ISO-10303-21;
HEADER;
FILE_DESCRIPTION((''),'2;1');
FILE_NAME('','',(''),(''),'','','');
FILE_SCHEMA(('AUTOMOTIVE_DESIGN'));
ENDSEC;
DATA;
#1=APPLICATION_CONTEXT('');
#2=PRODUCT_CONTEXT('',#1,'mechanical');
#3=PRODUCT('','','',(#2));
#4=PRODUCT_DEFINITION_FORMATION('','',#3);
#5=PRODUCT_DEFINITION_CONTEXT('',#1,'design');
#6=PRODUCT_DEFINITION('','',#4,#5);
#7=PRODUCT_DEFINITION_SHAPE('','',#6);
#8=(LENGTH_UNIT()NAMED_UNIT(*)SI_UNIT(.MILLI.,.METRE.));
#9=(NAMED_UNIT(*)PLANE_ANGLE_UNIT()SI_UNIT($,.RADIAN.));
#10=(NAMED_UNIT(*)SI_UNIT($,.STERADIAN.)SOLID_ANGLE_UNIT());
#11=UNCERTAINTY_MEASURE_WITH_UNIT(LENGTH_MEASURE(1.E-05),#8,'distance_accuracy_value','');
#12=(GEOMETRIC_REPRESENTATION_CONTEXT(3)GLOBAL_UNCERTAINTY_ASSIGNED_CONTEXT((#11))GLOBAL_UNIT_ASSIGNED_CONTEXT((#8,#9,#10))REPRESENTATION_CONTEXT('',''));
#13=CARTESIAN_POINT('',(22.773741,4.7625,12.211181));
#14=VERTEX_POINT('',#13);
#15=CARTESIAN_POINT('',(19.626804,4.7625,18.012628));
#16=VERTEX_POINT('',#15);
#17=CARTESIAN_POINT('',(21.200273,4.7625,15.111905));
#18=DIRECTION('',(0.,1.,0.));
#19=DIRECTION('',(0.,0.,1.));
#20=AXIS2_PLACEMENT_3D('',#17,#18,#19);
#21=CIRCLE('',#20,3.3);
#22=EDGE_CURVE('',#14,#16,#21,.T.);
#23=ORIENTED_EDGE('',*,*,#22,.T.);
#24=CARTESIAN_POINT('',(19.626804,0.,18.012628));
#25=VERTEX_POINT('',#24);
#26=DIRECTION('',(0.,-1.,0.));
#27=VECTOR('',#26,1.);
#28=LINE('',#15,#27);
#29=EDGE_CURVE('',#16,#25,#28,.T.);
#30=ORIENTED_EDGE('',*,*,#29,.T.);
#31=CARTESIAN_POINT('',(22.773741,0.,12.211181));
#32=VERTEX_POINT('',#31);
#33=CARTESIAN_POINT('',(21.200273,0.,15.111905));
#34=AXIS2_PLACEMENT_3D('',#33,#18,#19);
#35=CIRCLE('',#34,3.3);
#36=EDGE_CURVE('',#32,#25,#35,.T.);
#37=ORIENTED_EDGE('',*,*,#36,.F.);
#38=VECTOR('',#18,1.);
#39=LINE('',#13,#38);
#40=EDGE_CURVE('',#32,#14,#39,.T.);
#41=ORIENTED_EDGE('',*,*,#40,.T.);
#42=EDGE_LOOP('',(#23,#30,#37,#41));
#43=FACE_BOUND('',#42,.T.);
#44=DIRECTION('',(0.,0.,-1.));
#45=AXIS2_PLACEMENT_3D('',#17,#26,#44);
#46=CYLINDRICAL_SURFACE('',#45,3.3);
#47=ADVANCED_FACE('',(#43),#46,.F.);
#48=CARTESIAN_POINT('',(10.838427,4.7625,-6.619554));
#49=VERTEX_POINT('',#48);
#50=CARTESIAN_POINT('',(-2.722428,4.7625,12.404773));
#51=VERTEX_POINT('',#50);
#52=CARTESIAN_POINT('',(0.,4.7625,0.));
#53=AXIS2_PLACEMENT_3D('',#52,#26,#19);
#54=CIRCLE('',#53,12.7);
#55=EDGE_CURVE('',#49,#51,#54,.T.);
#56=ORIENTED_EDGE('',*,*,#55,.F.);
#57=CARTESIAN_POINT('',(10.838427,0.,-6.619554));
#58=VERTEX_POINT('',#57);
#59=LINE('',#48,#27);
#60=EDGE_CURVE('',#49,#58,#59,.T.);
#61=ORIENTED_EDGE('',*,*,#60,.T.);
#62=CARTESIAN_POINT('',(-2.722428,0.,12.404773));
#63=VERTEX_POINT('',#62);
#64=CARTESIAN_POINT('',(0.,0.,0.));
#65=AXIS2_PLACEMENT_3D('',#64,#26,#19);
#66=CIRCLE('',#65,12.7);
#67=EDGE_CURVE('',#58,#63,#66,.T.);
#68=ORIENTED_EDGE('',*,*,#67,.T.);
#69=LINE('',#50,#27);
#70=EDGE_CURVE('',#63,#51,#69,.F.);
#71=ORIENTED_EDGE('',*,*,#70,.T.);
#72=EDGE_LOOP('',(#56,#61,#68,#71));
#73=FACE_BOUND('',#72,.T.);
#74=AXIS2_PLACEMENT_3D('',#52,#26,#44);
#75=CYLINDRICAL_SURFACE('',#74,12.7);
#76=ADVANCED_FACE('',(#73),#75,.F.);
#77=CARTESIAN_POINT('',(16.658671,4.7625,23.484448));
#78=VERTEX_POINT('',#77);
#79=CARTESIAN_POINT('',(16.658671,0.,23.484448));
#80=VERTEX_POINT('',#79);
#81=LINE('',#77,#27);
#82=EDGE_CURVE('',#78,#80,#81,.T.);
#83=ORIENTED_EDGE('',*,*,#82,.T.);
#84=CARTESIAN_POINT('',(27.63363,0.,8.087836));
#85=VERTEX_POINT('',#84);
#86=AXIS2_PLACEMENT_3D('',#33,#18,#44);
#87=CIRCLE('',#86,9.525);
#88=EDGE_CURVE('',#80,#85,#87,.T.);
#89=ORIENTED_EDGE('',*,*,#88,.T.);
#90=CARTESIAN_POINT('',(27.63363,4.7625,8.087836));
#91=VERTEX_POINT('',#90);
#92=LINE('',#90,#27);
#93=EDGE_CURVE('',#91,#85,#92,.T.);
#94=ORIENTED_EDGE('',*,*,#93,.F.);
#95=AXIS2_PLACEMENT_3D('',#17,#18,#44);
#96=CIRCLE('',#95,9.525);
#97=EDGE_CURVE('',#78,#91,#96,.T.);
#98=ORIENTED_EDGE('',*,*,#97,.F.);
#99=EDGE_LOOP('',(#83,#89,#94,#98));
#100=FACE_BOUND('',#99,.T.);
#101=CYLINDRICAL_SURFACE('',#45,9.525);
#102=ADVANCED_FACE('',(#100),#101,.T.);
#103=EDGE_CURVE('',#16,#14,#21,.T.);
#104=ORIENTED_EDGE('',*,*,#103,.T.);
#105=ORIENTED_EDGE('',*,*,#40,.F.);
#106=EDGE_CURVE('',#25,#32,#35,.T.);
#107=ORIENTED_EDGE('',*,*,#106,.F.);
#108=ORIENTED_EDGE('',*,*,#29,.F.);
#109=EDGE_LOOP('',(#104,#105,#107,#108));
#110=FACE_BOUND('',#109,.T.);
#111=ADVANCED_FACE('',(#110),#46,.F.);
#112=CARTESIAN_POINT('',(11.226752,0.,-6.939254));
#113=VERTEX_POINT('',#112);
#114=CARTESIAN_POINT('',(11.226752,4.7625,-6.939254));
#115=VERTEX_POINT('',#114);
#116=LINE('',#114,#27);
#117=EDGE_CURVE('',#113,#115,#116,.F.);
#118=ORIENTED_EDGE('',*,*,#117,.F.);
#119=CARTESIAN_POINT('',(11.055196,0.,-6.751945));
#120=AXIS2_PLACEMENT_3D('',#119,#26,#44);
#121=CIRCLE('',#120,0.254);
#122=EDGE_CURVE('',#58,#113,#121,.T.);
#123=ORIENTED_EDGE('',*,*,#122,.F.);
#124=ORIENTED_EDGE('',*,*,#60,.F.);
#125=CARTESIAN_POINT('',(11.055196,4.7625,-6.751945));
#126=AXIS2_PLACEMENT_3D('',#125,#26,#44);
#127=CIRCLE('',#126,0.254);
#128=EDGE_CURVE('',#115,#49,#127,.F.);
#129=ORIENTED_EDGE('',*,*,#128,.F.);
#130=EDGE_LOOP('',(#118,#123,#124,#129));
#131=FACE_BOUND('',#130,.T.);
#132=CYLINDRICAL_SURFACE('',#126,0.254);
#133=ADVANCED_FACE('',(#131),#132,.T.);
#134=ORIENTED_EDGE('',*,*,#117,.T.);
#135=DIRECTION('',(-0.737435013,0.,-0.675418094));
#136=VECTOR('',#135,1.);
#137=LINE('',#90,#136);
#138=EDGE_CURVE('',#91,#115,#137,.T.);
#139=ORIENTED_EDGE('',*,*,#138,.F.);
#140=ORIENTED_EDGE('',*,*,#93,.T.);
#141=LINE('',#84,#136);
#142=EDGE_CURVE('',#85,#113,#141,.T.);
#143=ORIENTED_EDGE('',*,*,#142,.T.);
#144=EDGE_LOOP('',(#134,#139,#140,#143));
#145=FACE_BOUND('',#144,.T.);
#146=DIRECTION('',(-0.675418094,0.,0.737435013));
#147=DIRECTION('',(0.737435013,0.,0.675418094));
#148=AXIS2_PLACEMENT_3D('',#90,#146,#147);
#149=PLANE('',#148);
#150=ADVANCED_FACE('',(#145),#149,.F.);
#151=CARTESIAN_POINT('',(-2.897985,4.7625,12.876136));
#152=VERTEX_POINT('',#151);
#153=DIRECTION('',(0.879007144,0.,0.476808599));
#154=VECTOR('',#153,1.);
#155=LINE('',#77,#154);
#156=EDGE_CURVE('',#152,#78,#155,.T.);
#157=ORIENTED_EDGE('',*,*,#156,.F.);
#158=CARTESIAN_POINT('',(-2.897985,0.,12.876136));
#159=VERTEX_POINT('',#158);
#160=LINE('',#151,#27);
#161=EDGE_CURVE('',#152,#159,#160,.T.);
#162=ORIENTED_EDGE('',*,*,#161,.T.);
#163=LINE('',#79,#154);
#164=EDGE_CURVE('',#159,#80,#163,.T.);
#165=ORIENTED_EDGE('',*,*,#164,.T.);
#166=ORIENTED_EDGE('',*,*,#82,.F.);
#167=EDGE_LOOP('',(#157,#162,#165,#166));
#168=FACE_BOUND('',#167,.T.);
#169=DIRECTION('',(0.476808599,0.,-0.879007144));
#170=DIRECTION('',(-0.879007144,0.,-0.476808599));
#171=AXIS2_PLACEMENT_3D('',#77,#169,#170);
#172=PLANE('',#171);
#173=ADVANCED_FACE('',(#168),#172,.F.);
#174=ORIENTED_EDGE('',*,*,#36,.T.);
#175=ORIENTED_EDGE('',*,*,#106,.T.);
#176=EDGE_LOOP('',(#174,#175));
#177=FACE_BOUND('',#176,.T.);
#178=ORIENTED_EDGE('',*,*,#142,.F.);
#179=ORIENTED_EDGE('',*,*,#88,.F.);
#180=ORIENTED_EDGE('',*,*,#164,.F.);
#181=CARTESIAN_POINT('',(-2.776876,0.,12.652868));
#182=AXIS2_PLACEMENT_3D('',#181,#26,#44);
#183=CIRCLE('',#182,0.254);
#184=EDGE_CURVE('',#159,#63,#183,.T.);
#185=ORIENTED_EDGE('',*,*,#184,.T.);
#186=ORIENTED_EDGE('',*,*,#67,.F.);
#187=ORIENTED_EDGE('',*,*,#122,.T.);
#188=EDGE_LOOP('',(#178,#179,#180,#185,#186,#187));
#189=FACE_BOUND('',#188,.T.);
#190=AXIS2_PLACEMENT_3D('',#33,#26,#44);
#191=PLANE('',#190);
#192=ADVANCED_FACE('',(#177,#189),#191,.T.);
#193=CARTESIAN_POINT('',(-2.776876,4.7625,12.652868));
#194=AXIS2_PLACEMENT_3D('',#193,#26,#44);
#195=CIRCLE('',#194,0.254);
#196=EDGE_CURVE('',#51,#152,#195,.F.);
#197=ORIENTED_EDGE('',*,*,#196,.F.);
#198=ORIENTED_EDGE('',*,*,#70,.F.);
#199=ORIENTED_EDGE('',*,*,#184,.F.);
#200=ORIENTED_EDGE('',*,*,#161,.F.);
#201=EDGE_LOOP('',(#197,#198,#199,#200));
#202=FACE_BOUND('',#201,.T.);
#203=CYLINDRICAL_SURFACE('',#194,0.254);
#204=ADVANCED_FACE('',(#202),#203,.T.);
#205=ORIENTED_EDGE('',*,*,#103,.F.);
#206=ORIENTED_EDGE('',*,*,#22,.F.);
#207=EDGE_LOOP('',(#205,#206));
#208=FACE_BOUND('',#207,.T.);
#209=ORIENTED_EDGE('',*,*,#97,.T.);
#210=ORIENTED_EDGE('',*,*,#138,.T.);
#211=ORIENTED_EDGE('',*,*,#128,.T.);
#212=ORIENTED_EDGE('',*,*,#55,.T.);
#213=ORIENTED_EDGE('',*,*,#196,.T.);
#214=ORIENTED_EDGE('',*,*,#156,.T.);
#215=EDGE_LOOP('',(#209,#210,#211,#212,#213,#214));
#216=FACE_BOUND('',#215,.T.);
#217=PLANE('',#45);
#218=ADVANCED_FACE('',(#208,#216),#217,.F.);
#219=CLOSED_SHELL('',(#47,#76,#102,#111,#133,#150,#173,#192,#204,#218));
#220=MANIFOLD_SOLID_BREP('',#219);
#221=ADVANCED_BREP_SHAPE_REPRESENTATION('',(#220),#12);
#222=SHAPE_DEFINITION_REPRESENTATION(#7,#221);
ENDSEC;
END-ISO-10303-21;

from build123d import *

# Parameters (mm, degrees)
SKETCH1_R           = 3.3
BOSS_EXTRUDE1_DEPTH = 4.7625
FILLET1_R           = 0.254


with BuildPart() as part:
    # Sketch1 → Boss-Extrude1 (new body)
    with BuildSketch(Plane(origin=(0, 0, 0), x_dir=(1, 0, 0), z_dir=(0, 1, 0))):
        with BuildLine():
            Line((16.658671, -23.484448), (-6.055469, -11.163391))
            ThreePointArc((-6.055469, -11.163391), (10.341596, -7.371661), (8.57781, 9.365425))
            Line((8.57781, 9.365425), (27.63363, -8.087836))
            ThreePointArc((27.63363, -8.087836), (28.95647, -20.64065), (16.658671, -23.484448))
        make_face()
        with Locations((21.200273, -15.111905)):
            Circle(SKETCH1_R, mode=Mode.SUBTRACT)
    extrude(amount=BOSS_EXTRUDE1_DEPTH)

    # Fillet1
    fillet1_edges = [part.edges().sort_by_distance(p)[0] for p in [
        (-6.055469, 2.38125, 11.163391),
        (8.57781, 2.38125, -9.365425),
    ]]
    fillet(fillet1_edges, radius=FILLET1_R)


solid = part.part
